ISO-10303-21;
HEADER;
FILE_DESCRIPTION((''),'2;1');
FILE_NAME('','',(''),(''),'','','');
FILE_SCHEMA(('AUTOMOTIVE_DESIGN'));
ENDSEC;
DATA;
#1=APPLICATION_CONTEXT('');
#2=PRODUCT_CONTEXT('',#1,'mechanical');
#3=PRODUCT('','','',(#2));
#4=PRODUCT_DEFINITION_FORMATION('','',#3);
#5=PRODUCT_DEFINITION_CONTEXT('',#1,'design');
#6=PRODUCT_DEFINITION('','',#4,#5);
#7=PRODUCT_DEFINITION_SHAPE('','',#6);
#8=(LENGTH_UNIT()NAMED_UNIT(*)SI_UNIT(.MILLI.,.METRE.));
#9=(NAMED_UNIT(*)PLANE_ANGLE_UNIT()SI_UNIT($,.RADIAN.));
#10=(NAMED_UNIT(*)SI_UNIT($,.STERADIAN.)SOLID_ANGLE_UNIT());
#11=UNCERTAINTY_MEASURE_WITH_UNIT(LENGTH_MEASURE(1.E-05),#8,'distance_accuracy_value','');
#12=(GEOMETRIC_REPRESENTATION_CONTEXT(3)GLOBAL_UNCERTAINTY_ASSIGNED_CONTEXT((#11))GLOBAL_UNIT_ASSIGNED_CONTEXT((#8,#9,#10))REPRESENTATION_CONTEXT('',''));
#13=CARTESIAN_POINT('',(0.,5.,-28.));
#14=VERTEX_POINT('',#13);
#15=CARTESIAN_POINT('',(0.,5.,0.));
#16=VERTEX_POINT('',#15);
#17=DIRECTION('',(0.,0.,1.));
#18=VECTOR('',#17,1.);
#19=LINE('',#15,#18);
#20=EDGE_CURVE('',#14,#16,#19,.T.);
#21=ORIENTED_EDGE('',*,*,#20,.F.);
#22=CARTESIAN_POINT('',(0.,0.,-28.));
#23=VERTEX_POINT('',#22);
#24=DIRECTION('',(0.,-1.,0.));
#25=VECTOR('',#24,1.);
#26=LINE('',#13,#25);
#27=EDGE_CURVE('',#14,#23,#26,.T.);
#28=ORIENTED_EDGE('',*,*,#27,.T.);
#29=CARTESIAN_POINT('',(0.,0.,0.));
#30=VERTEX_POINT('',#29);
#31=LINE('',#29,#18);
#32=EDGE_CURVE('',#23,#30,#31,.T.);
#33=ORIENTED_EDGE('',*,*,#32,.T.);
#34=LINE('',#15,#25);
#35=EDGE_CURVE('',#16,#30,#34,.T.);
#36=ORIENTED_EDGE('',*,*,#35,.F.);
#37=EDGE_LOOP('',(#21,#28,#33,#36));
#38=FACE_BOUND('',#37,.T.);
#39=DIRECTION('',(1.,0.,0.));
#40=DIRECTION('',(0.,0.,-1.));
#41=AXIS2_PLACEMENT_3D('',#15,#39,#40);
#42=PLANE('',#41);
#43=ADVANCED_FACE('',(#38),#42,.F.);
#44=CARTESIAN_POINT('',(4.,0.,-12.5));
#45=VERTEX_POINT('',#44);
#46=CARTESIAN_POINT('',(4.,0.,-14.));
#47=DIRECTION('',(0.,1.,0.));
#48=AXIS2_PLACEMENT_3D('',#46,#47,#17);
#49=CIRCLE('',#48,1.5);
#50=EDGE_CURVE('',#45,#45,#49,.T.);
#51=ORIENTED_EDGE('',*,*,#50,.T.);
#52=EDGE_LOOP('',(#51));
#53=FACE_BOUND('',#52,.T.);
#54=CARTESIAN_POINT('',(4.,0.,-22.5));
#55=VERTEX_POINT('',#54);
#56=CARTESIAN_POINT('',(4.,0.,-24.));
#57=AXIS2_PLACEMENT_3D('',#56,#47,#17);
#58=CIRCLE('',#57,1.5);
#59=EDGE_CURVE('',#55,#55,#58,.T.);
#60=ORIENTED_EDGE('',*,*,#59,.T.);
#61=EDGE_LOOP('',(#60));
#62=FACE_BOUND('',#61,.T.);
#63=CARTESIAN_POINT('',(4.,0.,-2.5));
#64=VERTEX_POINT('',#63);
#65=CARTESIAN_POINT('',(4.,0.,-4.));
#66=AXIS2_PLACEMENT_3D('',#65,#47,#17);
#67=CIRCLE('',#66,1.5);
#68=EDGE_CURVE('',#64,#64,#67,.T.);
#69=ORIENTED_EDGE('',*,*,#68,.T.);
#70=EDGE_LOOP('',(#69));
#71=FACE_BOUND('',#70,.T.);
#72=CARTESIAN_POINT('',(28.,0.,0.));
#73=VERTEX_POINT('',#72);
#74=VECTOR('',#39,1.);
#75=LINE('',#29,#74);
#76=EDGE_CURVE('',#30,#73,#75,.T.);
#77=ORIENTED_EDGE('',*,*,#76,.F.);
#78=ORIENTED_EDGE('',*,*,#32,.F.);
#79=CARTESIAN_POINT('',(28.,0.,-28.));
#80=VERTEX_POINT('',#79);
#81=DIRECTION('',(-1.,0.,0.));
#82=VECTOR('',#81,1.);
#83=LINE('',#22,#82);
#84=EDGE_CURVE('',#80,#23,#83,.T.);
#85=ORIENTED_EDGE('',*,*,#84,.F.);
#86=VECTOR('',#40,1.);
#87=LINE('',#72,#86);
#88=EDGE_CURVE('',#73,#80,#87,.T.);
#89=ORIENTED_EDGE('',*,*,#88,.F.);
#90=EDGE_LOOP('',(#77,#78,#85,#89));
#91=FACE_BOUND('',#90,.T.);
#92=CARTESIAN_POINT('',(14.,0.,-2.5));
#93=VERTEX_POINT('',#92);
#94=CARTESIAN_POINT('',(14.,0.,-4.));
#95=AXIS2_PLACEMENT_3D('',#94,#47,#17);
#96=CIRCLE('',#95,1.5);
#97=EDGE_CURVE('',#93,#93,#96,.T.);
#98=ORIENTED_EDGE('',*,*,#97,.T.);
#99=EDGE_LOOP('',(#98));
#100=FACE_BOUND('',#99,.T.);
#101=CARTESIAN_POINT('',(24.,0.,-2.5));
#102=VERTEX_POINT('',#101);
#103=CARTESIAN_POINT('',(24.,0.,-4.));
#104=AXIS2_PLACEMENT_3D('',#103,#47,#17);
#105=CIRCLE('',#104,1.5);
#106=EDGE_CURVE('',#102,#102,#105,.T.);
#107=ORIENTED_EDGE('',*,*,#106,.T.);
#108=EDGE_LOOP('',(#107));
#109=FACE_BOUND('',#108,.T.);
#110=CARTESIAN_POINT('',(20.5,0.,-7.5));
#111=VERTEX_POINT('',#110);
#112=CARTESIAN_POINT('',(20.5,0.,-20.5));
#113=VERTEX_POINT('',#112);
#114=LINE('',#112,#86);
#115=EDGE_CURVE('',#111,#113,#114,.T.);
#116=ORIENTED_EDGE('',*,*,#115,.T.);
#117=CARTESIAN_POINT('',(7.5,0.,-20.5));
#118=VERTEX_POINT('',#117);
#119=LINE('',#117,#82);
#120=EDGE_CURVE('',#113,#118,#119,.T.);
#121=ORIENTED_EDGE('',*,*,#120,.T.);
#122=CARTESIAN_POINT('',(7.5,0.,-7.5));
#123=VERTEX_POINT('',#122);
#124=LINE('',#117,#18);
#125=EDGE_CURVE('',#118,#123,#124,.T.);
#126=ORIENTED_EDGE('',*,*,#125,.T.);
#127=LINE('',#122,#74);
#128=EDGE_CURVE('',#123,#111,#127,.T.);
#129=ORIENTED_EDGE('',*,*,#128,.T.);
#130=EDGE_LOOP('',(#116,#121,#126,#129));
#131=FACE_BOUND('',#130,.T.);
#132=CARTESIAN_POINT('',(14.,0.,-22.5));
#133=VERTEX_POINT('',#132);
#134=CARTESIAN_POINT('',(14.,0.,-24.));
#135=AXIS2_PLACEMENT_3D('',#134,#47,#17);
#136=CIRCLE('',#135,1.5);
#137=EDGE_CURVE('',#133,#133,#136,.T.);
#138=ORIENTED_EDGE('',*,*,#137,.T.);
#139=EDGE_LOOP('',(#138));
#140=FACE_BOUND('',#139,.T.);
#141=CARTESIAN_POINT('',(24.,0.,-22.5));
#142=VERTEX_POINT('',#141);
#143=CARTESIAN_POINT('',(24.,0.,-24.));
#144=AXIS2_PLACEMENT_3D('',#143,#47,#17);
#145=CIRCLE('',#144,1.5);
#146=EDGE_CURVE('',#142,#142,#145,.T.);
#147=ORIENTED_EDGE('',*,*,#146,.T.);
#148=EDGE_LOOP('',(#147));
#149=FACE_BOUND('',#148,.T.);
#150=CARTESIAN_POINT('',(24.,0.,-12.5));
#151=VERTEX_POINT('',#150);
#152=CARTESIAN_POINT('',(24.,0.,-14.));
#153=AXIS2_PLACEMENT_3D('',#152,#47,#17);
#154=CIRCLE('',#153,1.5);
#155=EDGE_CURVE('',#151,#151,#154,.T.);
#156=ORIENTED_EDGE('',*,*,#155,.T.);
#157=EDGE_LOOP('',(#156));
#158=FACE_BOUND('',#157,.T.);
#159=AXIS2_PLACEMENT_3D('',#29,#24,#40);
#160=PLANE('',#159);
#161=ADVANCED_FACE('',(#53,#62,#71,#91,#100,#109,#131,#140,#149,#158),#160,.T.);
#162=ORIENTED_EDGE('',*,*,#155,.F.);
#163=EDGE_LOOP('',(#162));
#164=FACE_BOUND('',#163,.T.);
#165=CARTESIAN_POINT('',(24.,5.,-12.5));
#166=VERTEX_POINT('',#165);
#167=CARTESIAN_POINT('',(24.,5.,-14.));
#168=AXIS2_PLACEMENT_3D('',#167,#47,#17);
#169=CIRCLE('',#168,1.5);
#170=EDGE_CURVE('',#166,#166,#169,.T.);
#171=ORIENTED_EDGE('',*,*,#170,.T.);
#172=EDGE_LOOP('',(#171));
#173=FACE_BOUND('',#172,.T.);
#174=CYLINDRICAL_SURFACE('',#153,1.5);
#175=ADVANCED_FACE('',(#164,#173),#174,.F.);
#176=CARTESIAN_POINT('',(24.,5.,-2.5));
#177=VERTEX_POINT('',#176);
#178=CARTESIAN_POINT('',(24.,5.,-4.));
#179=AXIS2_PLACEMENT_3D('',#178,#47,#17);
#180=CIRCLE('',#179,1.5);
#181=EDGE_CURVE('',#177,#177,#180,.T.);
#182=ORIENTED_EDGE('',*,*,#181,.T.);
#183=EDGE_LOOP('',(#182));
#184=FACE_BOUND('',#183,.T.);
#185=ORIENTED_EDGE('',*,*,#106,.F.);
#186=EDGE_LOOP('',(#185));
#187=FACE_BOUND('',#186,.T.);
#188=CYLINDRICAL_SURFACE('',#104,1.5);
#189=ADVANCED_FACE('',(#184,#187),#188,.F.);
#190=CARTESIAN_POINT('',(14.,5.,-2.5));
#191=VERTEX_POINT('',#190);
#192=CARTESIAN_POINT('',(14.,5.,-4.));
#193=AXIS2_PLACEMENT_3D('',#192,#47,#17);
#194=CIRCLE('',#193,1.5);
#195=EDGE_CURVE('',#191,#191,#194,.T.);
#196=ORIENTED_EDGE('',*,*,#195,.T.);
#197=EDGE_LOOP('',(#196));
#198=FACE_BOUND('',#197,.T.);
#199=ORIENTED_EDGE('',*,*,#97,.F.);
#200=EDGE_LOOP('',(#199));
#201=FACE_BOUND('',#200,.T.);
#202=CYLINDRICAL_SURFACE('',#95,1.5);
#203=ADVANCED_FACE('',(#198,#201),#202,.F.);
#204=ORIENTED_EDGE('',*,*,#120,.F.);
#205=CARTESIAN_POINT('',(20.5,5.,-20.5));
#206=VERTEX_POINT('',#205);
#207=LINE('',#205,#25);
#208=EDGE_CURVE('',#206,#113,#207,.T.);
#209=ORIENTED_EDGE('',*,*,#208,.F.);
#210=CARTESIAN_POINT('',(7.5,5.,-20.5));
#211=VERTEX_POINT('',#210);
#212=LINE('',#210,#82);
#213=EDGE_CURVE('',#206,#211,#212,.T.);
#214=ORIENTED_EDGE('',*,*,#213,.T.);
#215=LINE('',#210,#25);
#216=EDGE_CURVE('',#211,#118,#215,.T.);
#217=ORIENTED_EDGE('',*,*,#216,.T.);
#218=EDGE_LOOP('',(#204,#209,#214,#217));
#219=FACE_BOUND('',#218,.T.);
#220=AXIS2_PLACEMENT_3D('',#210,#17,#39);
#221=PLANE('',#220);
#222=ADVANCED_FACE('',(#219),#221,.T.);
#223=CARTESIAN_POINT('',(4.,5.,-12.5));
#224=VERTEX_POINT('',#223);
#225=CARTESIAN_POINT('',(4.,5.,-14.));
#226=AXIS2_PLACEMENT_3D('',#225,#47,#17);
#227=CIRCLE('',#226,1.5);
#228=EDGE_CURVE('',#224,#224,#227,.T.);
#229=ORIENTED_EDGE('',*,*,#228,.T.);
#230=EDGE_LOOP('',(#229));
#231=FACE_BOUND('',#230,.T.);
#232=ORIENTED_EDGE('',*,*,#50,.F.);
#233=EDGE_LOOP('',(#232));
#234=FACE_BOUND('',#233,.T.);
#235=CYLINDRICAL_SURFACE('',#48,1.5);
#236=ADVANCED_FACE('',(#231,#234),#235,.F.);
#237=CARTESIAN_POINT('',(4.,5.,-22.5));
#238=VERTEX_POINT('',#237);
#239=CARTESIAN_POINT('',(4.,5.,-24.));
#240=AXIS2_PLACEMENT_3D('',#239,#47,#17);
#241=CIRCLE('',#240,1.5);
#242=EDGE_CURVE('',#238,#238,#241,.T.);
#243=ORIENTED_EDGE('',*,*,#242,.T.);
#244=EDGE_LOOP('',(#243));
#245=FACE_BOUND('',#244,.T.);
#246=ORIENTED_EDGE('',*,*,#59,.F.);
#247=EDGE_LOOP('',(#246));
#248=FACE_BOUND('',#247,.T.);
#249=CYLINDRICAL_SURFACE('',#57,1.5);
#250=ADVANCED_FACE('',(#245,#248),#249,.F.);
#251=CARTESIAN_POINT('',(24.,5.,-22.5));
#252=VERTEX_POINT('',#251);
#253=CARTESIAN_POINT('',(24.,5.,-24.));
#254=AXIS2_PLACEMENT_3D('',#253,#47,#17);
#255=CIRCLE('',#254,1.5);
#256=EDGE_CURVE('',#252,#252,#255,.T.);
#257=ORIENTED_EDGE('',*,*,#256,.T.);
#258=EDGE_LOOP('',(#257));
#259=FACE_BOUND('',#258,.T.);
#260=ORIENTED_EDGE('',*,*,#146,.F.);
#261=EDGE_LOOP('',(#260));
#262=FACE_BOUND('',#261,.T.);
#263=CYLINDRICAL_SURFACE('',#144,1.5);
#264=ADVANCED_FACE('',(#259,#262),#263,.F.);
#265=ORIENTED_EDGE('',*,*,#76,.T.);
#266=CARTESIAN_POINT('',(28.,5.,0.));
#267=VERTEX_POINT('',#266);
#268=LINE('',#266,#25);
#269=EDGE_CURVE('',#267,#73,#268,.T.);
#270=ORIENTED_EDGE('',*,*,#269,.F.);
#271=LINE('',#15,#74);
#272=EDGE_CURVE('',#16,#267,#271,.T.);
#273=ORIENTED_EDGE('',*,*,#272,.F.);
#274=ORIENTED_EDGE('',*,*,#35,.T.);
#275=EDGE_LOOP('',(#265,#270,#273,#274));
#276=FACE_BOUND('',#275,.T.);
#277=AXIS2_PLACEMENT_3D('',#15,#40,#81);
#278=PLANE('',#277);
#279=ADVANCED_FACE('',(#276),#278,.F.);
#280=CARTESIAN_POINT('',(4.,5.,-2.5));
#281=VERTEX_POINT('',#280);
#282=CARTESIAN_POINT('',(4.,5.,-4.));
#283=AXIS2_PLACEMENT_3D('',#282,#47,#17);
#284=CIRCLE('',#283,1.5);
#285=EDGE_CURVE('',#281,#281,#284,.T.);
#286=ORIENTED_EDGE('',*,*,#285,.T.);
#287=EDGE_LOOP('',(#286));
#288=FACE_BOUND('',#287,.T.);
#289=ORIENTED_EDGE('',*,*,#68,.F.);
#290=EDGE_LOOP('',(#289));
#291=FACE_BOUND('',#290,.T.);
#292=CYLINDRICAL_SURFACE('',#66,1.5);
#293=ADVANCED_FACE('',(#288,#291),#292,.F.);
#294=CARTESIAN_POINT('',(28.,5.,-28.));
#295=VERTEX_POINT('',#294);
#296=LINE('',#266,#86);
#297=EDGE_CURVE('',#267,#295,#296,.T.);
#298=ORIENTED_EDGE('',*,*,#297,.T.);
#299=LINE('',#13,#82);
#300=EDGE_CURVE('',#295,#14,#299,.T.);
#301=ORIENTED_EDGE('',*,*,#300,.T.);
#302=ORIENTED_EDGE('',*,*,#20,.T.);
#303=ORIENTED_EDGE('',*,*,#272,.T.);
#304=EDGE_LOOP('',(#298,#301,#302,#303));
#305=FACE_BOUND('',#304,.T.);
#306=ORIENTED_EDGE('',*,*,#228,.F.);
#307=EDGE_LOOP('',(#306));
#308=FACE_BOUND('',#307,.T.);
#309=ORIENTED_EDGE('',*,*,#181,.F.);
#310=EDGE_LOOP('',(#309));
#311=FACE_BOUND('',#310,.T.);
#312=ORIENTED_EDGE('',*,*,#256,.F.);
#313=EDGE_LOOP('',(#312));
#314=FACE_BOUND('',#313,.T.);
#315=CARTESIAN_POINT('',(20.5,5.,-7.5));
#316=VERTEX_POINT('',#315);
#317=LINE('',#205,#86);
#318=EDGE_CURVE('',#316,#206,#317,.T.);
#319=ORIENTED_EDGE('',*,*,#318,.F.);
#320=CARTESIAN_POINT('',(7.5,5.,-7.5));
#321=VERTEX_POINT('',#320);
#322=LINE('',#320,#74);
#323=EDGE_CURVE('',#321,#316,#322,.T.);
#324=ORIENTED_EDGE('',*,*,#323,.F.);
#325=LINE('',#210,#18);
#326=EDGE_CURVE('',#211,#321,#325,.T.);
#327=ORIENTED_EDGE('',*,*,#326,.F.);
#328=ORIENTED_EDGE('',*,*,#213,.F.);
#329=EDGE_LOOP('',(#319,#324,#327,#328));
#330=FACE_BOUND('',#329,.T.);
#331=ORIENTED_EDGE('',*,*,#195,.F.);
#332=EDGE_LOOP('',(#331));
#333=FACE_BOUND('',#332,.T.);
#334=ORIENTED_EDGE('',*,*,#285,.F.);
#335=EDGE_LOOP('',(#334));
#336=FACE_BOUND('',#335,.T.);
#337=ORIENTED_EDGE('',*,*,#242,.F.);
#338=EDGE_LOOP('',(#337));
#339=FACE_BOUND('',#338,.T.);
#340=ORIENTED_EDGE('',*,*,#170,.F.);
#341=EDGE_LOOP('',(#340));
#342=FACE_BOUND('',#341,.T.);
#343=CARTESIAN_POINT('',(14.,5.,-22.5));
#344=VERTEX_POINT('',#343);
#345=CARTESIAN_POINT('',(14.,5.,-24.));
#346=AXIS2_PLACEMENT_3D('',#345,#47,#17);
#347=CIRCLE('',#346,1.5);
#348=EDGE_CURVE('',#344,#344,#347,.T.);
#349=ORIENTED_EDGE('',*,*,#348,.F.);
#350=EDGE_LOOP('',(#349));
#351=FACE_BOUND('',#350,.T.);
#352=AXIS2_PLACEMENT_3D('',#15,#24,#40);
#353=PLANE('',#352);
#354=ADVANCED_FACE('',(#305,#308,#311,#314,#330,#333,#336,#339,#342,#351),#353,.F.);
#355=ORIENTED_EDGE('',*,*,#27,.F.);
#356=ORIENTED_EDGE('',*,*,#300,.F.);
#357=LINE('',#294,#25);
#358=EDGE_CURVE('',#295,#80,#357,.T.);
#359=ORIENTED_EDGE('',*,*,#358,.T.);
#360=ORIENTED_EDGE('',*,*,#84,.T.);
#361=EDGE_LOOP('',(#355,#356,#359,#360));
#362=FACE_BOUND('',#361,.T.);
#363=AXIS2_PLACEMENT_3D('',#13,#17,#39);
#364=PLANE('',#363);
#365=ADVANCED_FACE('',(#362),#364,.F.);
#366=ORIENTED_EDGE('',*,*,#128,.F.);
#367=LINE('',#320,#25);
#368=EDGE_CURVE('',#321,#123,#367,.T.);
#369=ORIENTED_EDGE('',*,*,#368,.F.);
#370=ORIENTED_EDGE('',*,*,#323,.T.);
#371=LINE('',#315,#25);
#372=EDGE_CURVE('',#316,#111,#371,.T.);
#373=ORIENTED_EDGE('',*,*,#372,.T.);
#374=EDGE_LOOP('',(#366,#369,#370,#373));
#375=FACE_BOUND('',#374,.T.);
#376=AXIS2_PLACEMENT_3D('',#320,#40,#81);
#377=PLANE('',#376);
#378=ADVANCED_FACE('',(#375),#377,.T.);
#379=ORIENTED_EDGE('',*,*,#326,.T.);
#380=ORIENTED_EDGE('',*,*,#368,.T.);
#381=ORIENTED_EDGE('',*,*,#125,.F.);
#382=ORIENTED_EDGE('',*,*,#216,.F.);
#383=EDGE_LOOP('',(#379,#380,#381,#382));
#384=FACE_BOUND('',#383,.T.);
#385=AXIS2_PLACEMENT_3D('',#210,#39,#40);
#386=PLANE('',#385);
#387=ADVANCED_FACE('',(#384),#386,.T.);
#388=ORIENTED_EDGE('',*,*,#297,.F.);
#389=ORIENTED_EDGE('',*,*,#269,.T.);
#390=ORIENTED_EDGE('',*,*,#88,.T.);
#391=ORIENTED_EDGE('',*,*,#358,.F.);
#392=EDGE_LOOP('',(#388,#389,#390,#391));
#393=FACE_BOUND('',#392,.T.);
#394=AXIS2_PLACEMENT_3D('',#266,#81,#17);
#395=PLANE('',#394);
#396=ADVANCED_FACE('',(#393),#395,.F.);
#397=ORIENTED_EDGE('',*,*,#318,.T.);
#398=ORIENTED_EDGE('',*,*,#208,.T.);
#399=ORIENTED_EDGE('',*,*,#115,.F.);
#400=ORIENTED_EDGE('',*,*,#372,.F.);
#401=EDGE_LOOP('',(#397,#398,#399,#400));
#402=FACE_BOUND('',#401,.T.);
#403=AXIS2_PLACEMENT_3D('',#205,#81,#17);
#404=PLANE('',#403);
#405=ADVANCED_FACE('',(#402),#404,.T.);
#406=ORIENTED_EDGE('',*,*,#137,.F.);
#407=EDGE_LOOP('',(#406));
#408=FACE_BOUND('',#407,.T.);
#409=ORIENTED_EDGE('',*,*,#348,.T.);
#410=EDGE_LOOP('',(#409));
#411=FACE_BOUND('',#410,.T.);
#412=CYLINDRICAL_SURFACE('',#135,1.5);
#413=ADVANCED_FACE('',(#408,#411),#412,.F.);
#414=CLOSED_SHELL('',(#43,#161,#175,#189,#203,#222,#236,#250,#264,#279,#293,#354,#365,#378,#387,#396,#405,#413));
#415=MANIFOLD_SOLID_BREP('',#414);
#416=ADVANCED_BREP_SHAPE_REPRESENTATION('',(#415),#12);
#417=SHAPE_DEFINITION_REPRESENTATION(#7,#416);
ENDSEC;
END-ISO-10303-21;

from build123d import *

# Parameters (mm, degrees)
SKETCH_1_W          = 28
SKETCH_1_H          = 28
SKETCH_1_W_2        = 13
SKETCH_1_H_2        = 13
EXTRUDE_1_DEPTH     = 5
SKETCH_3_R          = 1.5
CUT_EXTRUDE_1_DEPTH = 40.912404087
SKETCH_6_R          = 1.5
CUT_EXTRUDE_2_DEPTH = 40.912404087


with BuildPart() as part:
    # Эскиз1 → Бобышка-Вытянуть1 (new body)
    with BuildSketch(Plane(origin=(0, 0, 0), x_dir=(1, 0, 0), z_dir=(0, 1, 0))):
        with Locations((14, 14)):
            Rectangle(SKETCH_1_W, SKETCH_1_H)
        with Locations((14, 14)):
            Rectangle(SKETCH_1_W_2, SKETCH_1_H_2, mode=Mode.SUBTRACT)
    extrude(amount=EXTRUDE_1_DEPTH)

    # Эскиз3 → Вырез-Вытянуть1 (cut, through all)
    with BuildSketch(Plane(origin=(0, 5, 0), x_dir=(1, 0, 0), z_dir=(0, 1, 0))):
        with Locations(Location((24, 24, 0), (0, 0, 270))):
            Circle(SKETCH_3_R)
    extrude(amount=-CUT_EXTRUDE_1_DEPTH, mode=Mode.SUBTRACT)

    # Эскиз6 → Вырез-Вытянуть2 (cut, through all)
    with BuildSketch(Plane(origin=(0, 5, 0), x_dir=(1, 0, 0), z_dir=(0, 1, 0))):
        with Locations(Location((4, 24, 0), (0, 0, 270))):
            Circle(SKETCH_6_R)
        with Locations(Location((4, 4, 0), (0, 0, 270))):
            Circle(SKETCH_6_R)
        with Locations(Location((24, 4, 0), (0, 0, 270))):
            Circle(SKETCH_6_R)
        with Locations(Location((24, 14, 0), (0, 0, 270))):
            Circle(SKETCH_6_R)
        with Locations(Location((14, 24, 0), (0, 0, 270))):
            Circle(SKETCH_6_R)
        with Locations(Location((4, 14, 0), (0, 0, 270))):
            Circle(SKETCH_6_R)
        with Locations(Location((14, 4, 0), (0, 0, 270))):
            Circle(SKETCH_6_R)
    extrude(amount=-CUT_EXTRUDE_2_DEPTH, mode=Mode.SUBTRACT)


solid = part.part
